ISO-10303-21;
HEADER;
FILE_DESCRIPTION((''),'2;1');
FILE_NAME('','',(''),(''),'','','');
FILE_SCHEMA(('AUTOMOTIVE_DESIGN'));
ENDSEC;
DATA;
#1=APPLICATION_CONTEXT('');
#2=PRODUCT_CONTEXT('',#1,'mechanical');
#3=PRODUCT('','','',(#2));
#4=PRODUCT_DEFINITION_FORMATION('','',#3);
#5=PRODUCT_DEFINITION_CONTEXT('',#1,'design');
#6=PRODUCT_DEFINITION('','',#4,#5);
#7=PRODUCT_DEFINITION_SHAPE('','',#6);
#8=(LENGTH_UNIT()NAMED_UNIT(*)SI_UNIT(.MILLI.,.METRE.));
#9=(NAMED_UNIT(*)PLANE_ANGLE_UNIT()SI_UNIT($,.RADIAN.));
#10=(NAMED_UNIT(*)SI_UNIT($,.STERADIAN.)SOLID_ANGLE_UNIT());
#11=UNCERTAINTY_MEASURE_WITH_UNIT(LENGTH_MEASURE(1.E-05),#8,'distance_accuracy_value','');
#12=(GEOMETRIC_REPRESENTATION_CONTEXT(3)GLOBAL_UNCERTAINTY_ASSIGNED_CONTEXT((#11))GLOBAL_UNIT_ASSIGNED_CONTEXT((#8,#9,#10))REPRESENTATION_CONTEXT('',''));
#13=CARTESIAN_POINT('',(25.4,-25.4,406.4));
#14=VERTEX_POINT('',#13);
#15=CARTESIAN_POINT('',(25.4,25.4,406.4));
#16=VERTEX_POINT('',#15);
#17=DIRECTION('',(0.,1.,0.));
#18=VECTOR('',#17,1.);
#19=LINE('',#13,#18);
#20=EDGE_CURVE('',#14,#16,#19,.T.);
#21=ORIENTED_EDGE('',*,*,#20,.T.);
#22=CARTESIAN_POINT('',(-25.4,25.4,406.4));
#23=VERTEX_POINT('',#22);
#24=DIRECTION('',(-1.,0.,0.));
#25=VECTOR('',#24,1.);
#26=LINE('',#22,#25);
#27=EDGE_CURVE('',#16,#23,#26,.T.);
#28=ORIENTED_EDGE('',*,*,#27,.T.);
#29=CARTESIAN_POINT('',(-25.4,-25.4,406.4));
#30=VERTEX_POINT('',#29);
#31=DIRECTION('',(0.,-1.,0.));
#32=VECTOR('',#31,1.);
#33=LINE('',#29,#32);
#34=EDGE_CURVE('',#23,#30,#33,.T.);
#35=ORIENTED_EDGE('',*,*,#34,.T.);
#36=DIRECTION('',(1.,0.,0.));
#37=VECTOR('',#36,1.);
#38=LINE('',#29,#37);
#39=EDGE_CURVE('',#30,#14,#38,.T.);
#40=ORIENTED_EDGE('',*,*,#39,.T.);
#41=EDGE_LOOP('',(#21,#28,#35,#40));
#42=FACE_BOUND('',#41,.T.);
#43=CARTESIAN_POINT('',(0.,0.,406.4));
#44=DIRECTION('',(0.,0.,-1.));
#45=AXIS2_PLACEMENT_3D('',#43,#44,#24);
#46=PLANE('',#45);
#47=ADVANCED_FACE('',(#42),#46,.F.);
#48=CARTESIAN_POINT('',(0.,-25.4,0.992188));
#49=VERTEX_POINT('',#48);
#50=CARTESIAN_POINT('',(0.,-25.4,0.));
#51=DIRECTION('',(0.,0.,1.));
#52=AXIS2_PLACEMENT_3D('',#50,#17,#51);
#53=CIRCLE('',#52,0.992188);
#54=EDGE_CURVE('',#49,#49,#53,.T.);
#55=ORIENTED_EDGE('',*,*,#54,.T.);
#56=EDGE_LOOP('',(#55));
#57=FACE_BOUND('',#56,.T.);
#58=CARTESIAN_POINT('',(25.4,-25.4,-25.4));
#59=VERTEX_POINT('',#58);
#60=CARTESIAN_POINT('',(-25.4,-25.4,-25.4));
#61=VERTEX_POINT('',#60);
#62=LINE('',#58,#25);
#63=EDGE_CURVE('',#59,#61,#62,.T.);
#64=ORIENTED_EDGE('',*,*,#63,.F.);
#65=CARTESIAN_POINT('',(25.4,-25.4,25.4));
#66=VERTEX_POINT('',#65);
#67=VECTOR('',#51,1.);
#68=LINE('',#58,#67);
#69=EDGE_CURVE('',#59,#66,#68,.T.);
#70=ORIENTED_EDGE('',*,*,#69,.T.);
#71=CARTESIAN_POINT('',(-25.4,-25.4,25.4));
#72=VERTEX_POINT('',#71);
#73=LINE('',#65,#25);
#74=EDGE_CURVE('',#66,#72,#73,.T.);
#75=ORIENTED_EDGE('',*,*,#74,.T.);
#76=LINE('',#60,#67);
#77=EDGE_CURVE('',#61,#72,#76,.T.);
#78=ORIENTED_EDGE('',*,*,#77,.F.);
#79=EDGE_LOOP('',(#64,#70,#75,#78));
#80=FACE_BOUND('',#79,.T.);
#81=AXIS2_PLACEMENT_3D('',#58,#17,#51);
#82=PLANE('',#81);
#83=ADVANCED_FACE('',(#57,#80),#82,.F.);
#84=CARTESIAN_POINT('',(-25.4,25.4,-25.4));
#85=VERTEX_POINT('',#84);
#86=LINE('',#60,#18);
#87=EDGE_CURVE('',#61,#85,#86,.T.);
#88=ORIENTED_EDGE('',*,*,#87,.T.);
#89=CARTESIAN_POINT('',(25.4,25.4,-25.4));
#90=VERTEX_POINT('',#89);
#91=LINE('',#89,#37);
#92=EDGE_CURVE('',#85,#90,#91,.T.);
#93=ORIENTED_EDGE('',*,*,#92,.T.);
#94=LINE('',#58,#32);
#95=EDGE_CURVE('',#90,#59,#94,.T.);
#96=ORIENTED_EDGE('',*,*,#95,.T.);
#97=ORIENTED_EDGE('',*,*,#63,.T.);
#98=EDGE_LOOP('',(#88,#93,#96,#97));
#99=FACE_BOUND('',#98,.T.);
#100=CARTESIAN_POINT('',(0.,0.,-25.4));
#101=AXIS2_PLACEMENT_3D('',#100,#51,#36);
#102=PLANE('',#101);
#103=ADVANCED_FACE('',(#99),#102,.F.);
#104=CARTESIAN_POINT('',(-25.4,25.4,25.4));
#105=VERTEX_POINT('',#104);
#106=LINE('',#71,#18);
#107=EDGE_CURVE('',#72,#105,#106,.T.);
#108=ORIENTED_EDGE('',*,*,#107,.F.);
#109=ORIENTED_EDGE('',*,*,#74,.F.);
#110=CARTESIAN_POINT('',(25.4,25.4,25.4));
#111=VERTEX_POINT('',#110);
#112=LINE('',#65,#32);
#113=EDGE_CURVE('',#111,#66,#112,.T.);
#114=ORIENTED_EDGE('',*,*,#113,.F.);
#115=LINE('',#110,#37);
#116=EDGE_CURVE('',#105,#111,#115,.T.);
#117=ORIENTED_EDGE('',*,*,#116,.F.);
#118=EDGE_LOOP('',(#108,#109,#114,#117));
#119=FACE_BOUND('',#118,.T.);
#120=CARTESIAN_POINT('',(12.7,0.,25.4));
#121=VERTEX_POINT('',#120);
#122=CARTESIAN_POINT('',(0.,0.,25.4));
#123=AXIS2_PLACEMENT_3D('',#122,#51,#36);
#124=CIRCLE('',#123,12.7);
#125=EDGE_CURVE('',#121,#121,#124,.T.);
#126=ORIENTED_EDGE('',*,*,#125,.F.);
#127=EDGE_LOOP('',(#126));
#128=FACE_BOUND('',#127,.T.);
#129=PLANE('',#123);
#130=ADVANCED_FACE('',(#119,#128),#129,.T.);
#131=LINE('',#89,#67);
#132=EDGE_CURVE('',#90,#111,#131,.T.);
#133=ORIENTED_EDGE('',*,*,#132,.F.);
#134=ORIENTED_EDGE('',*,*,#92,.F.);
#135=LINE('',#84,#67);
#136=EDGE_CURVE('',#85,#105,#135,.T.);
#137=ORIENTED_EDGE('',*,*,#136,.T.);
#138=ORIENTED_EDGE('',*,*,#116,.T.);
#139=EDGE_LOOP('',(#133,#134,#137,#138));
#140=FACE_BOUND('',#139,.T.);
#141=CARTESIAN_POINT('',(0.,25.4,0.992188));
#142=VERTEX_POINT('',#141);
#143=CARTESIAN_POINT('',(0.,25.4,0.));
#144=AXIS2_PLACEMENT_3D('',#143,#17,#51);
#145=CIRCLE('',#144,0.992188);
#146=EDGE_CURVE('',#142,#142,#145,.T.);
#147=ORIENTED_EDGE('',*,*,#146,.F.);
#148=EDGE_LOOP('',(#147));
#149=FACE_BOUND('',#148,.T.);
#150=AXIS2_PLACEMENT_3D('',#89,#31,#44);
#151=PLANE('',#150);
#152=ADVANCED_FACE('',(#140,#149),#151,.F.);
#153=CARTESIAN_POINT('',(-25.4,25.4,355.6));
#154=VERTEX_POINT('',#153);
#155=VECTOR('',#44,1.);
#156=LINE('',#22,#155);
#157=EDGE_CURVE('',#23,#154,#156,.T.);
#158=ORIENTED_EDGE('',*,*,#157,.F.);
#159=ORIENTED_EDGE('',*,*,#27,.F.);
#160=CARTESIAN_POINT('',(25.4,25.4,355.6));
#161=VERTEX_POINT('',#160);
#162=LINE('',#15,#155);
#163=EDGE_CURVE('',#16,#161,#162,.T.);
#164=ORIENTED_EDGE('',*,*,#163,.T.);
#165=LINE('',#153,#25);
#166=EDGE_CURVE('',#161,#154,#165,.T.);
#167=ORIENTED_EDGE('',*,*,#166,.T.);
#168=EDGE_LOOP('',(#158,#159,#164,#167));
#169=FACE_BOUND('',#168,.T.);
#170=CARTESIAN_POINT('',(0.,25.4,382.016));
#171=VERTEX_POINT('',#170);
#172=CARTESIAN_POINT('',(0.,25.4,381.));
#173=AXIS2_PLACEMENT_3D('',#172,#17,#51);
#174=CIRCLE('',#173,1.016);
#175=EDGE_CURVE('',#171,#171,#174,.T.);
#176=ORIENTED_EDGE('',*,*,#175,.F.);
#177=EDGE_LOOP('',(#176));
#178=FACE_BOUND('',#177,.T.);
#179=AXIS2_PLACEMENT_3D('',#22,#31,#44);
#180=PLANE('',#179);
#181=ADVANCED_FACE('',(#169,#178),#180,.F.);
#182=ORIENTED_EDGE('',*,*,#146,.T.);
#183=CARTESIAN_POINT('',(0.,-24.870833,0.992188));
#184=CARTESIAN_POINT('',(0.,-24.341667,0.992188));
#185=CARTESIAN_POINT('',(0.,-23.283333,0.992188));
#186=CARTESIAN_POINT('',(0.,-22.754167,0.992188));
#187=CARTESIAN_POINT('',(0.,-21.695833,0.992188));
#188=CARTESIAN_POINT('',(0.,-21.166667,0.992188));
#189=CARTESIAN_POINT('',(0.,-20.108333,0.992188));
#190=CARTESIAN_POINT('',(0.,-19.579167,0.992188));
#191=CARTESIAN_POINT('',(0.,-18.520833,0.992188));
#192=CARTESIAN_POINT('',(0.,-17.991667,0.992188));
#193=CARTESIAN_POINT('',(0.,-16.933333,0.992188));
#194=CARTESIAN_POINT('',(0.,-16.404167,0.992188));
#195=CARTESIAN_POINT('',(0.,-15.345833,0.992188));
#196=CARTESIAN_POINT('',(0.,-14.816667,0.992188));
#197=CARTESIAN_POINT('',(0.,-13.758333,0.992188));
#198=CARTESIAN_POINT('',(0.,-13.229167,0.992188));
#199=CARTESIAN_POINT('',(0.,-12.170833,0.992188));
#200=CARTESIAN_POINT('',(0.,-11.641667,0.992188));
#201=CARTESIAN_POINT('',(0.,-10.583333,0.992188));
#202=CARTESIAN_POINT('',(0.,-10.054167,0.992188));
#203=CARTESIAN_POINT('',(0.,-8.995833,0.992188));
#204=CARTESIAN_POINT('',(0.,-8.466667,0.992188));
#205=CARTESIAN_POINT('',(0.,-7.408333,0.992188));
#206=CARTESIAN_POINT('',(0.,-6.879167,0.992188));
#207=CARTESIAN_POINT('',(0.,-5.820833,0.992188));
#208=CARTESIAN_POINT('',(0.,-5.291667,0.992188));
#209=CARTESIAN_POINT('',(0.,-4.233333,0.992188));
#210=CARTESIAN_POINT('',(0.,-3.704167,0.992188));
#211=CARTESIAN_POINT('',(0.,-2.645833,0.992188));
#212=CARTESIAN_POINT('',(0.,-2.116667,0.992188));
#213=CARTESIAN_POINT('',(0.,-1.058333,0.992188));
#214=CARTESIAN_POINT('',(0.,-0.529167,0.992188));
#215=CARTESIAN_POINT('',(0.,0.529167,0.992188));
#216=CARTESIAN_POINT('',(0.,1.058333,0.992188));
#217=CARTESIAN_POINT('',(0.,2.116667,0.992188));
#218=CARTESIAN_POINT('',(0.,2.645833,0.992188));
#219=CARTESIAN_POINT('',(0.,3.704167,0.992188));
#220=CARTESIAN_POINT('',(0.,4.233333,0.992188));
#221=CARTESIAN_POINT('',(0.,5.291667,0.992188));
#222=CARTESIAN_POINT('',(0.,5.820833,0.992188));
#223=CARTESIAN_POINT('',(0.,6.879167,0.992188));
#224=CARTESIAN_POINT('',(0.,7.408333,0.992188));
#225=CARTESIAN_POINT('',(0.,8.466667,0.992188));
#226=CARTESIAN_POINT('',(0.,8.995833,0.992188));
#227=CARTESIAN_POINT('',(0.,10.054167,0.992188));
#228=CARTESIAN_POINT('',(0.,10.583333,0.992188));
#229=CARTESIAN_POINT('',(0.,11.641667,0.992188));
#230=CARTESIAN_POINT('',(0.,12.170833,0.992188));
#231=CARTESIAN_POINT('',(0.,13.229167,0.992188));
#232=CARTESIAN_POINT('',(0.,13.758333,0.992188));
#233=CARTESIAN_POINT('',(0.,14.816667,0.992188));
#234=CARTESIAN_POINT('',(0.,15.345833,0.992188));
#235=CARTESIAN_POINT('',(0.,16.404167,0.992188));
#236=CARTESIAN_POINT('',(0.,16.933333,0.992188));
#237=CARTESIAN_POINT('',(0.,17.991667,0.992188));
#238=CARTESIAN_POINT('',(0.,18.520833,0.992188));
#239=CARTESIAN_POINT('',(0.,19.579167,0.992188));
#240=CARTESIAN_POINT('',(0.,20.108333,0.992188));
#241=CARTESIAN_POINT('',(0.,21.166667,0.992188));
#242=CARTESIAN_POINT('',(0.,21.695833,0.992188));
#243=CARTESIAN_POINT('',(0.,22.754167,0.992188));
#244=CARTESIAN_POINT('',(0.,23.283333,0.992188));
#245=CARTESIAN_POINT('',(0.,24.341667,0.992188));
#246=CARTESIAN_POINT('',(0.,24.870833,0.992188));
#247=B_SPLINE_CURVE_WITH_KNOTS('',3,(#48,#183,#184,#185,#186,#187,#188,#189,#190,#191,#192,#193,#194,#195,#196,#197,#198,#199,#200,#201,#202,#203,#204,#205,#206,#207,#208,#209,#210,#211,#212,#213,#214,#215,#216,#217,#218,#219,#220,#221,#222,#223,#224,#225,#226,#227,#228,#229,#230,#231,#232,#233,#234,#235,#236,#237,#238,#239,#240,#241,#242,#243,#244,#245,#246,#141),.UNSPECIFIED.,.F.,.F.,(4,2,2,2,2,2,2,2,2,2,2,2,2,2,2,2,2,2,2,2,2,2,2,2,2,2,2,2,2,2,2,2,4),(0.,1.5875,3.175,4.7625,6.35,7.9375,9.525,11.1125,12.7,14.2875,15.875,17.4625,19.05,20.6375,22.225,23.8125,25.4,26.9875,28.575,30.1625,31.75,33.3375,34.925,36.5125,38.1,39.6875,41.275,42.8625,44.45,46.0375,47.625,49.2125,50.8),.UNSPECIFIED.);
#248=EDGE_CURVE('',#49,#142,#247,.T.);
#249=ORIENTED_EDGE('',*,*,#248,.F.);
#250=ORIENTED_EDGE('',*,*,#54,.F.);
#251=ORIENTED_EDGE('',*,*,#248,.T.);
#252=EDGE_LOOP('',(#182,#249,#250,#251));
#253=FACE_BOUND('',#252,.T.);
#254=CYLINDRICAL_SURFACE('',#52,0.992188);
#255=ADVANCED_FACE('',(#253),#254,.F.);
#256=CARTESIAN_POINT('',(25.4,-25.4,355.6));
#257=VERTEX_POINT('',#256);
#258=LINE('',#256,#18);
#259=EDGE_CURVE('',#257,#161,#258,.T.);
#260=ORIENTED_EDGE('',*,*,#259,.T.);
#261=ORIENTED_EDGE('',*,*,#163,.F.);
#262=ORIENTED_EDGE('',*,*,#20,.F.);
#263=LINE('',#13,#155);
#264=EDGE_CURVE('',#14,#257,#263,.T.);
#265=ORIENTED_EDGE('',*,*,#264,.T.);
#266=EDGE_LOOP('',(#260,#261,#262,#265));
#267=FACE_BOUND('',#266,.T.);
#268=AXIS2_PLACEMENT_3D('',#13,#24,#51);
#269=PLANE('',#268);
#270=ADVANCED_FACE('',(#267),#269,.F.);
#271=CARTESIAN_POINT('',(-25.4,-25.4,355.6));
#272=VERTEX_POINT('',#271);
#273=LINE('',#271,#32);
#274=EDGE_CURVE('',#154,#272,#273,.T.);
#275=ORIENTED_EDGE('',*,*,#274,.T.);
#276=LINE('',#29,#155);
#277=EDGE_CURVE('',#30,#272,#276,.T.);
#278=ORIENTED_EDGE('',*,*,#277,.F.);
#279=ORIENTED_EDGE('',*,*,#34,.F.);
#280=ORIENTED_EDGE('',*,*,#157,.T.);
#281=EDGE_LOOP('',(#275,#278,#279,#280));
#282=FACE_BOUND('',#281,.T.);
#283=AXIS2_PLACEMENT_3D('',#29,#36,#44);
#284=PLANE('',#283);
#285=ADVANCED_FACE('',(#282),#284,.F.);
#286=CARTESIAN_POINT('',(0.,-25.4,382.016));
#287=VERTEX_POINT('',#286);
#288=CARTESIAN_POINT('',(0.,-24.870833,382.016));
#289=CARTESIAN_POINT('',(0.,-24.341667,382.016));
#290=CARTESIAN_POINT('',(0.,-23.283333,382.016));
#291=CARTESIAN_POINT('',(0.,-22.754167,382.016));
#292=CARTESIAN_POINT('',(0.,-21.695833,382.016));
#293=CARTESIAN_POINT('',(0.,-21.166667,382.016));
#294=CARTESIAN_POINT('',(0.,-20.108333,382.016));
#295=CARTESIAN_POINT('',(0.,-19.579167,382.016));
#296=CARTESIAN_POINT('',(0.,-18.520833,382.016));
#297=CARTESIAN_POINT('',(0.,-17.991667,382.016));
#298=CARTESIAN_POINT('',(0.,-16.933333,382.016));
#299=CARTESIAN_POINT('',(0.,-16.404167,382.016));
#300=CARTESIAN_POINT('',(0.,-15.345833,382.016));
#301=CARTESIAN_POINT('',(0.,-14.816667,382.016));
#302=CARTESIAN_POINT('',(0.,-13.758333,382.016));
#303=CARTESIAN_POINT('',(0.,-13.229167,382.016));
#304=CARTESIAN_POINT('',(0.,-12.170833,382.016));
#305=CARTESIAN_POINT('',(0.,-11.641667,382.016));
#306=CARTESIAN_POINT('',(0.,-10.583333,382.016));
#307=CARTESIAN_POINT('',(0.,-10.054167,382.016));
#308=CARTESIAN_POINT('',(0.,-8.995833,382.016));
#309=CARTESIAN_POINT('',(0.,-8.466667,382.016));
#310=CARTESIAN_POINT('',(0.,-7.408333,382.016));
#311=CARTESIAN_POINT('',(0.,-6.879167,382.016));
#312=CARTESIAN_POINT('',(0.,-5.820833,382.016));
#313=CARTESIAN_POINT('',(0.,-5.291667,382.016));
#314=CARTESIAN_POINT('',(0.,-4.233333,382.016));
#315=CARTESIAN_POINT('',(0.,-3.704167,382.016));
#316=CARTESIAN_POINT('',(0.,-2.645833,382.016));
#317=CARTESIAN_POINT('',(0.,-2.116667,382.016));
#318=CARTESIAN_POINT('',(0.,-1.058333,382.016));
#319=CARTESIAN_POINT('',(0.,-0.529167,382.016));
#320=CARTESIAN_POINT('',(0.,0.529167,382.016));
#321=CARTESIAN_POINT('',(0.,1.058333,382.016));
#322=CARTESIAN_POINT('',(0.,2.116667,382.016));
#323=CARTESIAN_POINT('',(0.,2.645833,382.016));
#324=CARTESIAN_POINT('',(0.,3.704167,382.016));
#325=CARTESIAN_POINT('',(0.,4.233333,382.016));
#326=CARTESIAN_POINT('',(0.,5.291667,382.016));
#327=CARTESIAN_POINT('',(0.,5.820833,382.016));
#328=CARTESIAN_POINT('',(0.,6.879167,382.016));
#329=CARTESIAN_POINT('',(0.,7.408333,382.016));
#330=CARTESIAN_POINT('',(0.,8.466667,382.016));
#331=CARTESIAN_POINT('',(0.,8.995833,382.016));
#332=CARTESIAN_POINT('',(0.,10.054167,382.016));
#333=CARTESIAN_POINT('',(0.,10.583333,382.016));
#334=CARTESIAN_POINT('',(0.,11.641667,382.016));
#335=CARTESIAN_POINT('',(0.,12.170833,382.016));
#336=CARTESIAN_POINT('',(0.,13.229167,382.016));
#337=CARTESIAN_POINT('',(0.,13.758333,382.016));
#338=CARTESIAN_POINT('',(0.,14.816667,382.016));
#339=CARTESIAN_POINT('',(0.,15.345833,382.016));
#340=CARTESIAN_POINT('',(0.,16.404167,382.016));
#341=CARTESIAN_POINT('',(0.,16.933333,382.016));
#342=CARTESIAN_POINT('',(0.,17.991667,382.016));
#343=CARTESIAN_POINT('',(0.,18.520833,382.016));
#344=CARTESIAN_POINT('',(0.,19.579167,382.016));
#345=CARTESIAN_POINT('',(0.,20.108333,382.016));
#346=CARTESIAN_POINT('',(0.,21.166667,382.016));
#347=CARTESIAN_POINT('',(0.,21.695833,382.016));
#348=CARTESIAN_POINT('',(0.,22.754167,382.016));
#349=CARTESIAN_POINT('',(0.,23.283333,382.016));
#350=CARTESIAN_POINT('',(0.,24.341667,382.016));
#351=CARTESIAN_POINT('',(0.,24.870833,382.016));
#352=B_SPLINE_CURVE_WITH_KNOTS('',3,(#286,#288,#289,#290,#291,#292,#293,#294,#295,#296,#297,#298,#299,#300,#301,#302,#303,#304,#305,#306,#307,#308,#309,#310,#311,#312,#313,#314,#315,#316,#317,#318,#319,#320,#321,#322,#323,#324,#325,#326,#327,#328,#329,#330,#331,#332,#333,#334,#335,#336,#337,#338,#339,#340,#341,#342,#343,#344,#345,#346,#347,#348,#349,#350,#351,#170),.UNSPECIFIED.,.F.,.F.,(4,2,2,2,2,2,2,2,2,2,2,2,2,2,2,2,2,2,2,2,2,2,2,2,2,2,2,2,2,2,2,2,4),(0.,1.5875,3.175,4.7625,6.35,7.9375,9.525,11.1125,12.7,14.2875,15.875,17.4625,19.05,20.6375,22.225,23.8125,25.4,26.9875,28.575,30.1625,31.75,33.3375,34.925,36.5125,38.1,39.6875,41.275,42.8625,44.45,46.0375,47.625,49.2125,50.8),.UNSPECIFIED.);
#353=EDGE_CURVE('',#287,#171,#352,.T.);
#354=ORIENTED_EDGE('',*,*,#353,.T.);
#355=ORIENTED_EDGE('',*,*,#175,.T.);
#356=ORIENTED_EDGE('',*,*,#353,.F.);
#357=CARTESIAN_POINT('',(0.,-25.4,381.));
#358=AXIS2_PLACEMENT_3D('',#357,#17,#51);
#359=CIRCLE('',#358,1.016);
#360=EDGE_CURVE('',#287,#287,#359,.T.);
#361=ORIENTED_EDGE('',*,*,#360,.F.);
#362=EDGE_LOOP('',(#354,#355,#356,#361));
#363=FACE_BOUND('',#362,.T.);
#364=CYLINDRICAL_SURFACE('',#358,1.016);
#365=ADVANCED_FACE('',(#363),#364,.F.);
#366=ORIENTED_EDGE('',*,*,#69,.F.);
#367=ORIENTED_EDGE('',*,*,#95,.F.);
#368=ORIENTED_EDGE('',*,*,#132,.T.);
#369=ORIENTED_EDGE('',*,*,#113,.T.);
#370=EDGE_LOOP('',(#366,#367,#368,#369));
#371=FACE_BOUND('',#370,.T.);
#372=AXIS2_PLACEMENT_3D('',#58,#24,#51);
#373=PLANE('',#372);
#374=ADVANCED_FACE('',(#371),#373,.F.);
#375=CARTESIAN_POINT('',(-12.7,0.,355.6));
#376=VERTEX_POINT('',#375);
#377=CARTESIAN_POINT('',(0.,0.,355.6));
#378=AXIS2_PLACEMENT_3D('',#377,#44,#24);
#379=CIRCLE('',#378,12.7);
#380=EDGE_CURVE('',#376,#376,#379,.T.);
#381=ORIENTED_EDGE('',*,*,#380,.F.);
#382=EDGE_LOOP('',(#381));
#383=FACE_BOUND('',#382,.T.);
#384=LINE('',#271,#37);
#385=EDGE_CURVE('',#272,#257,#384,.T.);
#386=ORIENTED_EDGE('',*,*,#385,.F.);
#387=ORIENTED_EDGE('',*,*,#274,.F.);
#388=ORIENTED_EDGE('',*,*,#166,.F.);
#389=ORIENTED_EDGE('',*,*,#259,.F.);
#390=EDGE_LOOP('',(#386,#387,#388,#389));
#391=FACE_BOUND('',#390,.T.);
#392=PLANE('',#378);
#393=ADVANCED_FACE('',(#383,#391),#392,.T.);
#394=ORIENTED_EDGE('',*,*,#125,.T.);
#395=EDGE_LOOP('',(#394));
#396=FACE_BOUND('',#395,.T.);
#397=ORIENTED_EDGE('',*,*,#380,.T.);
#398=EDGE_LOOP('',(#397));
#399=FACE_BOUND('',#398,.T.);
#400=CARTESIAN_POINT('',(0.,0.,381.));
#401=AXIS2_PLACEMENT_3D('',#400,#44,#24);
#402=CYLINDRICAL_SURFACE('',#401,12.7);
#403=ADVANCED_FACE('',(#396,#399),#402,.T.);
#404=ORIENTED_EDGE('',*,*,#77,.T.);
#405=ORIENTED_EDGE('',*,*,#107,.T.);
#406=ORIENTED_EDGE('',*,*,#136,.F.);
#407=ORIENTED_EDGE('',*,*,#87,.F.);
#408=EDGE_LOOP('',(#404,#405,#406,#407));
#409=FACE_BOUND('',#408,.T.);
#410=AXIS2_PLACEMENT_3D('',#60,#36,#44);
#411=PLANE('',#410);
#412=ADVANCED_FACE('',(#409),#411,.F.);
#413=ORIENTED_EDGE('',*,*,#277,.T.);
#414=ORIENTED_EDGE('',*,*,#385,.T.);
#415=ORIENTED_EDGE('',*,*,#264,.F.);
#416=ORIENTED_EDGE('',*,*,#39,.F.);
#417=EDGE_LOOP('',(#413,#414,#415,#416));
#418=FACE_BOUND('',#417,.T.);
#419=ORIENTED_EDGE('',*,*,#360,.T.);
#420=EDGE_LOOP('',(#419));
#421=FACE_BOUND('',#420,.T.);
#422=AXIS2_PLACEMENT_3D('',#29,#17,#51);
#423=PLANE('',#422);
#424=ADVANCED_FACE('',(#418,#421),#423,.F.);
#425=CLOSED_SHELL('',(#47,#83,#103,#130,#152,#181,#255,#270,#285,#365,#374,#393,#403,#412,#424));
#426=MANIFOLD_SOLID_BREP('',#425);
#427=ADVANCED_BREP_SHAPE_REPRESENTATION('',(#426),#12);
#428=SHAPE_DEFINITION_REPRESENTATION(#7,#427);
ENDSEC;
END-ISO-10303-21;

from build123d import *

# Parameters (mm, degrees)
SKETCH3_R           = 12.7
BOSS_EXTRUDE1_DEPTH = 381
SKETCH4_W           = 50.8
SKETCH4_H           = 50.8
BOSS_EXTRUDE2_DEPTH = 25.4
SKETCH5_W           = 50.8
SKETCH5_H           = 50.8
BOSS_EXTRUDE3_DEPTH = 25.4
SKETCH6_R           = 1.016
SKETCH6_R_2         = 0.9921875
CUT_EXTRUDE1_DEPTH  = 411.349558304


with BuildPart() as part:
    # Sketch3 → Boss-Extrude1 (new body)
    with BuildSketch(Plane.XY):
        Circle(SKETCH3_R)
    extrude(amount=BOSS_EXTRUDE1_DEPTH)

    # Sketch4 → Boss-Extrude2 (add, symmetric)
    with BuildSketch(Plane(origin=(0, 0, 0), x_dir=(-1, 0, 0), z_dir=(0, 0, -1))):
        Rectangle(SKETCH4_W, SKETCH4_H)
    extrude(amount=BOSS_EXTRUDE2_DEPTH, both=True)

    # Sketch5 → Boss-Extrude3 (add, symmetric)
    with BuildSketch(Plane.XY.offset(381)):
        Rectangle(SKETCH5_W, SKETCH5_H)
    extrude(amount=BOSS_EXTRUDE3_DEPTH, both=True)

    # Sketch6 → Cut-Extrude1 (cut, through all)
    with BuildSketch(Plane(origin=(0, 25.4, 0), x_dir=(1, 0, 0), z_dir=(0, 1, 0))):
        with Locations(Location((0, -381, 0), (0, 0, 270))):
            Circle(SKETCH6_R)
        with Locations(Location((0, 0, 0), (0, 0, 270))):
            Circle(SKETCH6_R_2)
    extrude(amount=-CUT_EXTRUDE1_DEPTH, mode=Mode.SUBTRACT)


solid = part.part
